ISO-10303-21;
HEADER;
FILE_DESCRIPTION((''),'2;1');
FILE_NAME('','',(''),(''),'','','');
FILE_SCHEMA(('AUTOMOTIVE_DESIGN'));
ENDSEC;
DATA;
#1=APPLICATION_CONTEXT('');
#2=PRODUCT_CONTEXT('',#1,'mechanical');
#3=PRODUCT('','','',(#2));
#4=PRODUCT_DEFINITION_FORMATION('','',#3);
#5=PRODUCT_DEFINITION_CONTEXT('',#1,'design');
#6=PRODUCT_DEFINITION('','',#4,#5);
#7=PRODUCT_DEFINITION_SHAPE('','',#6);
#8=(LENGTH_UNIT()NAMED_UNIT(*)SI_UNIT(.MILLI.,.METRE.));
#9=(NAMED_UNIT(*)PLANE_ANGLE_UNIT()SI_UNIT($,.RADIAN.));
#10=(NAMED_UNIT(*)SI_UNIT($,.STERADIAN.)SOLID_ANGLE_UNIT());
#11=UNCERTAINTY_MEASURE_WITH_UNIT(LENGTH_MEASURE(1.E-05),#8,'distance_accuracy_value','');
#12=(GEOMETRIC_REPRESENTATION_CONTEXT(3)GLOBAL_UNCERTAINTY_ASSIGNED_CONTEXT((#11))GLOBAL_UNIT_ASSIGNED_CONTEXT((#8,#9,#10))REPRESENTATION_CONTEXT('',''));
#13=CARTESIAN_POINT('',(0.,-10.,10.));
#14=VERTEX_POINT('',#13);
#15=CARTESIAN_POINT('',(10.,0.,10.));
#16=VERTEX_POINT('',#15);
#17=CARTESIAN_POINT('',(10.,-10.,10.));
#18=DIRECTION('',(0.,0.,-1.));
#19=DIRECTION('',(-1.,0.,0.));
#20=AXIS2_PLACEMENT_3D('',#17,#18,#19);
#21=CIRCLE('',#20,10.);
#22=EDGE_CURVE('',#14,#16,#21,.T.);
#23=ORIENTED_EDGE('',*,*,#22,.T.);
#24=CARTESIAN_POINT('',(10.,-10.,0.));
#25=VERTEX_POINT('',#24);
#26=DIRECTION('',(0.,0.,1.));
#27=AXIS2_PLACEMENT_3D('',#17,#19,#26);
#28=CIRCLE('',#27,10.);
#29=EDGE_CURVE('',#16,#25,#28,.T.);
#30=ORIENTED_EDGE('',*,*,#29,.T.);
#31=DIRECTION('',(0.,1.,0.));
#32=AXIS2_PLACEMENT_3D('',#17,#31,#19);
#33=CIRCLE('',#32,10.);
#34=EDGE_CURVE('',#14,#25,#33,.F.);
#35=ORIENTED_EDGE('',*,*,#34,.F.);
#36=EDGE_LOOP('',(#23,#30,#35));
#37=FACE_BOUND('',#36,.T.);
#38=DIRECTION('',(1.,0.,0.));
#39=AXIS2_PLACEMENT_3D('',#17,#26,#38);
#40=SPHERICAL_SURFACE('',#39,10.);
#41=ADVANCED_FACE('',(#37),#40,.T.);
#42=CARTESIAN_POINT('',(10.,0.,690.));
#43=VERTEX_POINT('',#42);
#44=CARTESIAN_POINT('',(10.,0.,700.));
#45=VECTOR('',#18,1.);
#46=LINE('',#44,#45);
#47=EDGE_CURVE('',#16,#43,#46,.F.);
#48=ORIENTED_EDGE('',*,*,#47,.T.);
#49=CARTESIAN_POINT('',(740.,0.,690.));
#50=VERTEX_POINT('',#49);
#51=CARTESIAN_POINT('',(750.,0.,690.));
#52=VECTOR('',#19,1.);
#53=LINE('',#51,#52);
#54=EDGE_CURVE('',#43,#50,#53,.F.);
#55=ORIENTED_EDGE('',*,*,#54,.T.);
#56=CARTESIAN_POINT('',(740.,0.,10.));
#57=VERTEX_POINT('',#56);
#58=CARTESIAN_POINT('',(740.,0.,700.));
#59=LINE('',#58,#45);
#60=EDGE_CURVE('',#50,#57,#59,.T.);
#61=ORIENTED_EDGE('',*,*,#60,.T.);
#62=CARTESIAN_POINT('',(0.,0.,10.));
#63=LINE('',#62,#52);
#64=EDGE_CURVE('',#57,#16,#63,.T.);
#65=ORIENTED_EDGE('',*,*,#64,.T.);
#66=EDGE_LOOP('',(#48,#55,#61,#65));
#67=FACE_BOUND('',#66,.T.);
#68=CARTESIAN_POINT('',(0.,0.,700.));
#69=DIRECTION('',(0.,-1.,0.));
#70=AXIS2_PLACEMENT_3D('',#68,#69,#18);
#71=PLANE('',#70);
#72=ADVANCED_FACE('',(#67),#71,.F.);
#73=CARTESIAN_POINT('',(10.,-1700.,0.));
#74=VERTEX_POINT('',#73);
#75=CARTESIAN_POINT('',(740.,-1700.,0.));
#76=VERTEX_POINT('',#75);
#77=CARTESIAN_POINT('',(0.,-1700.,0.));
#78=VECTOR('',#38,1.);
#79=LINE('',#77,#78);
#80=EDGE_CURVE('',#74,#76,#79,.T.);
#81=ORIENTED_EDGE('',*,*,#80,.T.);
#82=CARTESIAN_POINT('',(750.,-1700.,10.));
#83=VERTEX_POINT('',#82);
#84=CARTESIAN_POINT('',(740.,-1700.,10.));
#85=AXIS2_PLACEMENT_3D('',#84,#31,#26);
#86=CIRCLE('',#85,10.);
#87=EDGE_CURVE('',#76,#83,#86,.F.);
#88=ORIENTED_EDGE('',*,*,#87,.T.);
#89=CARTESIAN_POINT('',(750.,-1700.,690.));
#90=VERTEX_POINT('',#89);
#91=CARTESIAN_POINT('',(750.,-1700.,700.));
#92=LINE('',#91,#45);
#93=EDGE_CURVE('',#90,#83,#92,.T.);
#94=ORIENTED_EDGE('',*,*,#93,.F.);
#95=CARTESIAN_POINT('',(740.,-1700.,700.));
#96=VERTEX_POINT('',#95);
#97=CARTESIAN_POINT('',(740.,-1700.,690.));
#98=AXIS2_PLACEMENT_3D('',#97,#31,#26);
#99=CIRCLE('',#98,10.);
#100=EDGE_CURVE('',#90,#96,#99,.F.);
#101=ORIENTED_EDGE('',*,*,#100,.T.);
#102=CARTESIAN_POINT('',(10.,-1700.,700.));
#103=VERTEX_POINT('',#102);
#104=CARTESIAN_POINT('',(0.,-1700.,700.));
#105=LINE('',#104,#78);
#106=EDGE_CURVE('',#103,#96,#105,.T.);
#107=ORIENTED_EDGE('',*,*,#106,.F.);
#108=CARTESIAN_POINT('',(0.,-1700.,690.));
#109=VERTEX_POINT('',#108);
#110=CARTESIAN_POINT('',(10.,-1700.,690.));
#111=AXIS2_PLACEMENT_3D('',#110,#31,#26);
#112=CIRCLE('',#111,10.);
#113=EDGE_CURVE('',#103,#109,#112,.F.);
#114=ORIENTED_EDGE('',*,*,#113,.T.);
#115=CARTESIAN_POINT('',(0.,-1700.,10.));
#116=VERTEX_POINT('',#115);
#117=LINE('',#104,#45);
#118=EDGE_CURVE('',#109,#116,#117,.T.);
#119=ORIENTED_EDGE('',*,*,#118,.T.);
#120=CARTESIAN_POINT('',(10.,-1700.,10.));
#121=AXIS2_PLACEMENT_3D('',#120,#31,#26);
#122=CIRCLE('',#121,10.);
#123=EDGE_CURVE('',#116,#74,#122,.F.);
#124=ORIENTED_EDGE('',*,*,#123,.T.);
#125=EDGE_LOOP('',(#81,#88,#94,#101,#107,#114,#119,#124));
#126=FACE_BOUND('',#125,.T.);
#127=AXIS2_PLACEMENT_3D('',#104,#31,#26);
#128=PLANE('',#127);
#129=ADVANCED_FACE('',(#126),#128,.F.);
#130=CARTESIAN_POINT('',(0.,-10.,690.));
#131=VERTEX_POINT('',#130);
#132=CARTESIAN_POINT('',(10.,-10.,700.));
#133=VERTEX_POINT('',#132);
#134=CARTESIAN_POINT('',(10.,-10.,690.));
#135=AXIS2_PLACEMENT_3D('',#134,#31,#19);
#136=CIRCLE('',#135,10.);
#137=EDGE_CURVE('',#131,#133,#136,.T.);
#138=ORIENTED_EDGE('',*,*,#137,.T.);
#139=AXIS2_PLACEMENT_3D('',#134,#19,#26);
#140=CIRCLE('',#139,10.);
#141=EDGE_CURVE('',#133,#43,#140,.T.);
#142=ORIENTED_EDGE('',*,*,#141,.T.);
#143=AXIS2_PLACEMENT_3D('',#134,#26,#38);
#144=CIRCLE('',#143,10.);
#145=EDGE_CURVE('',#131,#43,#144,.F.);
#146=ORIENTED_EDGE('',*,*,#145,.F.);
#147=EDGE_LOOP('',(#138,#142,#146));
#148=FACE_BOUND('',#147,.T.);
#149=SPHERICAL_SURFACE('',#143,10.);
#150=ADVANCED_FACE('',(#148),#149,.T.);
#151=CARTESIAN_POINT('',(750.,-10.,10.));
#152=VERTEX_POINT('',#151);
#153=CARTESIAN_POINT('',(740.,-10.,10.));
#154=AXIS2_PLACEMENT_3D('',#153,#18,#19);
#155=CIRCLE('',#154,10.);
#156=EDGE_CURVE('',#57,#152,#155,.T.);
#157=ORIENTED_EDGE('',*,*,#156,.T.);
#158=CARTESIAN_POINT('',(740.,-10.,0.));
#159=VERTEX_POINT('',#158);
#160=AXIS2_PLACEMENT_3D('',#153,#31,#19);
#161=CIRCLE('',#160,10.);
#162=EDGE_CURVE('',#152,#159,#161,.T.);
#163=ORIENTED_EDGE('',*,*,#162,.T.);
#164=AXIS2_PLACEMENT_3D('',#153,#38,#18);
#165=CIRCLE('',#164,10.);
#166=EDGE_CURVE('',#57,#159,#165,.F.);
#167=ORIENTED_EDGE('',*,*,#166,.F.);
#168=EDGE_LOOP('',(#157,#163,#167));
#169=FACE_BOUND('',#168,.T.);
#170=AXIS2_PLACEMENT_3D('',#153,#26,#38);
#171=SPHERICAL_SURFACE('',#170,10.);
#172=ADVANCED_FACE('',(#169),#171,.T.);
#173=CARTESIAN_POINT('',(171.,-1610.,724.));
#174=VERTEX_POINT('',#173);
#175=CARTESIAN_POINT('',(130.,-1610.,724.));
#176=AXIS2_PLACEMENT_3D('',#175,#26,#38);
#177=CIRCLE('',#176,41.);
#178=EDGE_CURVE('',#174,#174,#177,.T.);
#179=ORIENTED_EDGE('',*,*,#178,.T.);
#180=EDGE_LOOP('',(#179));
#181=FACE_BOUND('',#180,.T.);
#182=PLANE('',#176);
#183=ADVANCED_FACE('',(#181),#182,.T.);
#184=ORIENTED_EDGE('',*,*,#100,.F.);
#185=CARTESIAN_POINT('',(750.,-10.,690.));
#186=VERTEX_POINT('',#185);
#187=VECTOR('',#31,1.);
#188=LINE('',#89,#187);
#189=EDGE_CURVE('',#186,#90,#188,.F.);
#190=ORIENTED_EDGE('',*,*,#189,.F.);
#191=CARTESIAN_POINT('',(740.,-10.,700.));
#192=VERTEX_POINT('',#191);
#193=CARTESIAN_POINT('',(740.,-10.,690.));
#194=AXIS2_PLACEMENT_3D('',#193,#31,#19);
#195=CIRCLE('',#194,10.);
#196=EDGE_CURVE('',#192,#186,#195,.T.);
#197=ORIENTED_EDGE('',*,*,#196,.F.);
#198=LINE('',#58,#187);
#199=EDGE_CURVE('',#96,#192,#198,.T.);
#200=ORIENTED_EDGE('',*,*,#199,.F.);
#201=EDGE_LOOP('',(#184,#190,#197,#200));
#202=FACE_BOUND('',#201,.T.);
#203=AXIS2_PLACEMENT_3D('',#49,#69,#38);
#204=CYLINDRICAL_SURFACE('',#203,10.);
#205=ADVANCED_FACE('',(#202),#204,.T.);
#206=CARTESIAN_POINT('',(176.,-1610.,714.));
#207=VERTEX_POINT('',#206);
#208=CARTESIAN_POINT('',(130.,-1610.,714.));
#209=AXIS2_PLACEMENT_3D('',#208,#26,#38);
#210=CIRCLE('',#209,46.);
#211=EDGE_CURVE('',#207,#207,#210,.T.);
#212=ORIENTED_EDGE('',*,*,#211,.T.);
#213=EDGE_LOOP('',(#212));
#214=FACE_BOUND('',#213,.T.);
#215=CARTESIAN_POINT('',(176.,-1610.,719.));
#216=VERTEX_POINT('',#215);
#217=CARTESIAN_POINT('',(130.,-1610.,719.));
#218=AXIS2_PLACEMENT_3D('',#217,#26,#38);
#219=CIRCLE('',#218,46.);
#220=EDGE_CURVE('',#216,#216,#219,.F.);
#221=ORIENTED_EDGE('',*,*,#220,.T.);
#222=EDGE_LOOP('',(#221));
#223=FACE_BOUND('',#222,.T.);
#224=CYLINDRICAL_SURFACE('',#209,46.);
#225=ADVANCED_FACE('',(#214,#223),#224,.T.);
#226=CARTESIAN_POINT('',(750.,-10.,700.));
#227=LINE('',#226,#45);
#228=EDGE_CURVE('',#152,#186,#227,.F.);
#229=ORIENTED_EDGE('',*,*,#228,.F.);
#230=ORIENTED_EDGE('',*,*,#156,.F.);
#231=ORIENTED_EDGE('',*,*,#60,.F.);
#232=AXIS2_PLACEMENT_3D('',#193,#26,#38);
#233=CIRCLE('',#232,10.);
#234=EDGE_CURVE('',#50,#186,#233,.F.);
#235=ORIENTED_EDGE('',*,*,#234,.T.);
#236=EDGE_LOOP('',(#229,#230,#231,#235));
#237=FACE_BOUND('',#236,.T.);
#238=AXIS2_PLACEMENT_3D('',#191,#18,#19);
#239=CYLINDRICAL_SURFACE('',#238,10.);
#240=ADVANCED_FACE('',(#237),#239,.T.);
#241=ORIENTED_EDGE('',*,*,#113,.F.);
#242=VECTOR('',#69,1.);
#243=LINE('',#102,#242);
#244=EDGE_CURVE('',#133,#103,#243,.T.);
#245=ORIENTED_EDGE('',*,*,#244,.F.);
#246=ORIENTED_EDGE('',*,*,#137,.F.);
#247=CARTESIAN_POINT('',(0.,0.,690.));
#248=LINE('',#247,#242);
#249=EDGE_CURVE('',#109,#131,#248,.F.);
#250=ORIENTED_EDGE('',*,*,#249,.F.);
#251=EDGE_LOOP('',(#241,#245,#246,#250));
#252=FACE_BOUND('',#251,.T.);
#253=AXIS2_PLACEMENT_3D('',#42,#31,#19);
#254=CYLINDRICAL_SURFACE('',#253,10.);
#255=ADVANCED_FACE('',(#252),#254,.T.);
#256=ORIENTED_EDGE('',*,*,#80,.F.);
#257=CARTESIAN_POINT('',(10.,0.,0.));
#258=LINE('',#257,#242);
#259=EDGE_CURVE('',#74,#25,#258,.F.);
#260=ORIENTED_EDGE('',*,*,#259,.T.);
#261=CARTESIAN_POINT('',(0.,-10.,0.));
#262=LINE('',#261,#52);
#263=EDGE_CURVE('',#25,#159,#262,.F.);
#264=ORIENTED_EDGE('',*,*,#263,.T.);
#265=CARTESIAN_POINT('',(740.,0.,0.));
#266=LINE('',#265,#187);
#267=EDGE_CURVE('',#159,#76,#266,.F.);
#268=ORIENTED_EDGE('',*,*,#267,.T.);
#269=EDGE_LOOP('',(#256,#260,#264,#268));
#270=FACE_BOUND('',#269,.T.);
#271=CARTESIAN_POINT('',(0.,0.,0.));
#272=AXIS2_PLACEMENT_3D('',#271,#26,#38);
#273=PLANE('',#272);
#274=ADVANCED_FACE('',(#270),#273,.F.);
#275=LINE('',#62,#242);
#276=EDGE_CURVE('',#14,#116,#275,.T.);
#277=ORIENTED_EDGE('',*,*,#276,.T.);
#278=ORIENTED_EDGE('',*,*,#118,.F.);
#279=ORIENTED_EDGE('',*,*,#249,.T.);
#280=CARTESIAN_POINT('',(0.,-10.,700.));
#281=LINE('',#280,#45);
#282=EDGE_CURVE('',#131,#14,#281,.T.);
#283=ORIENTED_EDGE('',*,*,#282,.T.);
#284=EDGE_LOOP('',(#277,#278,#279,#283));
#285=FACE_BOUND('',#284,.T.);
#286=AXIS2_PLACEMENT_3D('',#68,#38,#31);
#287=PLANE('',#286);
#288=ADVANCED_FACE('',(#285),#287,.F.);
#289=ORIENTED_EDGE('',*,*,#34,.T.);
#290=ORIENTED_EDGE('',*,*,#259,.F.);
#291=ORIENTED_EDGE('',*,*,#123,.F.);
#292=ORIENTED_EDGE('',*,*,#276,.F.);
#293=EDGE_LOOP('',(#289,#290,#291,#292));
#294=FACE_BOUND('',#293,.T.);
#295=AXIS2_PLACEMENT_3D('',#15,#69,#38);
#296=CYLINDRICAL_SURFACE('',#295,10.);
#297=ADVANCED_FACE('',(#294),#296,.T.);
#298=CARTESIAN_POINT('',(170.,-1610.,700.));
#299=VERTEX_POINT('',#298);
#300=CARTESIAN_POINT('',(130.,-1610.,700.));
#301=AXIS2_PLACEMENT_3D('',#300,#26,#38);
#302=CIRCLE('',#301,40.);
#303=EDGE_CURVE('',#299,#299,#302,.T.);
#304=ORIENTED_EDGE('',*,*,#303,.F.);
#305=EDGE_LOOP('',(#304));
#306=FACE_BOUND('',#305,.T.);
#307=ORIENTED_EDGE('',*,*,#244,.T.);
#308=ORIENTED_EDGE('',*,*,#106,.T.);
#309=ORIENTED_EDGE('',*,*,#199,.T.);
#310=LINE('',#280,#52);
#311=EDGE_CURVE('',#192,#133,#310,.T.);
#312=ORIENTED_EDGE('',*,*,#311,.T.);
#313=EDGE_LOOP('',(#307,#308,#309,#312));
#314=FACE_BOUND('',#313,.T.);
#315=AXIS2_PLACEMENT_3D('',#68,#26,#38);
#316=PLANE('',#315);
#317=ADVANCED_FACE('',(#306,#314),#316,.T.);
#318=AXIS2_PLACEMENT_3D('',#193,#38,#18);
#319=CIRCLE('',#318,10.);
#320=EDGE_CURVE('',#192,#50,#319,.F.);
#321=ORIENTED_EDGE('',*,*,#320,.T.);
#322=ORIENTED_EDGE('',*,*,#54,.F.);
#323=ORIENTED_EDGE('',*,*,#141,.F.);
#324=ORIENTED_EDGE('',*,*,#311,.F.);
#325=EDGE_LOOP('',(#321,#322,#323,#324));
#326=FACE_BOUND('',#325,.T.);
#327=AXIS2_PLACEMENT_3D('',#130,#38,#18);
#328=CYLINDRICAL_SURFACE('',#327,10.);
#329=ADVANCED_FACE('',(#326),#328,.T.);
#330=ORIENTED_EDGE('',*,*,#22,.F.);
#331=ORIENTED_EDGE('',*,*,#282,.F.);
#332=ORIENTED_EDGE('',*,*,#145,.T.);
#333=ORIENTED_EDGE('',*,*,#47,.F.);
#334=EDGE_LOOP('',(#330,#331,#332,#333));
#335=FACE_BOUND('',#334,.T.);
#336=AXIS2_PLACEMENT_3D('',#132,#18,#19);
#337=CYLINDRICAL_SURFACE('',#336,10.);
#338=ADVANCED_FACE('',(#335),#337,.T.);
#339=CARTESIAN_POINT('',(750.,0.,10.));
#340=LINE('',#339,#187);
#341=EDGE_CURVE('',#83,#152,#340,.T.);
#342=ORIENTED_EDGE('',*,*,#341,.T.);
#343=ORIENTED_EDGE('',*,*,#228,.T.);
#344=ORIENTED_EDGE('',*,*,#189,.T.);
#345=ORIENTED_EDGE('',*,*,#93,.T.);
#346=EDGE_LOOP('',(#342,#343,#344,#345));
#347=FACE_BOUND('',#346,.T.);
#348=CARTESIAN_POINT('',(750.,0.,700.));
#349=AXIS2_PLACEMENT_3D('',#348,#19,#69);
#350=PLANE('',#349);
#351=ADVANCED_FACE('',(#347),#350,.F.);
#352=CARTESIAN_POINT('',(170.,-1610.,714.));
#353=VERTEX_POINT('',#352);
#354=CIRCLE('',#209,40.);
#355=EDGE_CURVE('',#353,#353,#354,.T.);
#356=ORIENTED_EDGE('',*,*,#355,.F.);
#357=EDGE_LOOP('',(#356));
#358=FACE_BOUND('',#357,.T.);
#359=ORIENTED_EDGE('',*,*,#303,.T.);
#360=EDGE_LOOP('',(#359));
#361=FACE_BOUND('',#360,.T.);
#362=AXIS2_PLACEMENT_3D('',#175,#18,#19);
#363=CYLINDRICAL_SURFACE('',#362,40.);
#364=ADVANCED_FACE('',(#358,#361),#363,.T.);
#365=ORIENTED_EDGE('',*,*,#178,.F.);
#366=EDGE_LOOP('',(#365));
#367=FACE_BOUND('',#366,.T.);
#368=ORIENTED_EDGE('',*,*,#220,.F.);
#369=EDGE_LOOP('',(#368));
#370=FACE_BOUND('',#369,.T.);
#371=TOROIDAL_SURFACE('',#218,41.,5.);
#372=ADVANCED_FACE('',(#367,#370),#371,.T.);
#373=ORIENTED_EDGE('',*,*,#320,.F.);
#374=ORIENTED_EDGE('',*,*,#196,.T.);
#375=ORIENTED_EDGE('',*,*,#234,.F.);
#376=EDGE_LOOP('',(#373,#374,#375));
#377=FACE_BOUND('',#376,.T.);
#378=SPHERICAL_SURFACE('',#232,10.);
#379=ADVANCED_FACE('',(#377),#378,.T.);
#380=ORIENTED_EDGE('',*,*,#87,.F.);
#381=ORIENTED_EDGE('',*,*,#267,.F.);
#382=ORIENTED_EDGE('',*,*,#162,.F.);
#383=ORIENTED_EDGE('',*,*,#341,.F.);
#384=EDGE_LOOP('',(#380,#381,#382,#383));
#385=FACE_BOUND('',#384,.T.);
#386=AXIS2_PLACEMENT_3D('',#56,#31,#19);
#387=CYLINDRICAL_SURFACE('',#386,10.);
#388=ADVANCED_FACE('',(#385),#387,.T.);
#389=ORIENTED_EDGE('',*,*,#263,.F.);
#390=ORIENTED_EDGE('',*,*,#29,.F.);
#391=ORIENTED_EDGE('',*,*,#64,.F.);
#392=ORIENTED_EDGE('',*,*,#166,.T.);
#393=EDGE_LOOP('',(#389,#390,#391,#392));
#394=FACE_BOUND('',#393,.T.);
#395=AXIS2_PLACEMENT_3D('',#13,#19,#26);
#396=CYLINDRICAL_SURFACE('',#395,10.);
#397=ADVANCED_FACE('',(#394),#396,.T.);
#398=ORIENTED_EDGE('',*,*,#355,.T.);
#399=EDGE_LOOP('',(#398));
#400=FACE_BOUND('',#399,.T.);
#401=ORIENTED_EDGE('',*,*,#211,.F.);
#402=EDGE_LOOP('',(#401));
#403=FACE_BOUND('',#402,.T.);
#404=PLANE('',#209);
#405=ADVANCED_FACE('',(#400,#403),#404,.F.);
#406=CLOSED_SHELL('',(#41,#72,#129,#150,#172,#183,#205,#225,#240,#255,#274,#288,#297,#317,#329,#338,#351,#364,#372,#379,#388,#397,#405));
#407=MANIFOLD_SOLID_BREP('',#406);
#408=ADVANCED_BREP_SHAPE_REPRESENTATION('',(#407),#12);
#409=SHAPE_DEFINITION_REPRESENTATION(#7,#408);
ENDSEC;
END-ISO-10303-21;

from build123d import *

# Parameters (mm, degrees)
CROQUIS1_W              = 750
CROQUIS1_H              = 1700
SALIENTE_EXTRUIR1_DEPTH = 700
REDONDEO1_R             = 10
CROQUIS2_R              = 40
SALIENTE_EXTRUIR2_DEPTH = 24
CROQUIS3_R              = 46
SALIENTE_EXTRUIR3_DEPTH = 10
REDONDEO2_R             = 5


with BuildPart() as part:
    # Croquis1 → Saliente-Extruir1 (new body)
    with BuildSketch(Plane.XY):
        with Locations((375, -850)):
            Rectangle(CROQUIS1_W, CROQUIS1_H)
    extrude(amount=SALIENTE_EXTRUIR1_DEPTH)

    # Redondeo1
    redondeo1_edges = [part.edges().sort_by_distance(p)[0] for p in [
        (750, -850, 700),
        (375, 0, 700),
        (0, -850, 700),
        (375, 0, 0),
        (750, -850, 0),
        (0, -850, 0),
        (0, 0, 350),
        (750, 0, 350),
    ]]
    fillet(redondeo1_edges, radius=REDONDEO1_R)

    # Croquis2 → Saliente-Extruir2 (add)
    with BuildSketch(Plane.XY.offset(700)):
        with Locations((130, -1610)):
            Circle(CROQUIS2_R)
    extrude(amount=SALIENTE_EXTRUIR2_DEPTH)

    # Croquis3 → Saliente-Extruir3 (add)
    with BuildSketch(Plane.XY.offset(724)):
        with Locations((130, -1610)):
            Circle(CROQUIS3_R)
    extrude(amount=-SALIENTE_EXTRUIR3_DEPTH)

    # Redondeo2
    redondeo2_edges = [part.edges().sort_by_distance(p)[0] for p in [
        (84, -1610, 724),
    ]]
    fillet(redondeo2_edges, radius=REDONDEO2_R)


solid = part.part
